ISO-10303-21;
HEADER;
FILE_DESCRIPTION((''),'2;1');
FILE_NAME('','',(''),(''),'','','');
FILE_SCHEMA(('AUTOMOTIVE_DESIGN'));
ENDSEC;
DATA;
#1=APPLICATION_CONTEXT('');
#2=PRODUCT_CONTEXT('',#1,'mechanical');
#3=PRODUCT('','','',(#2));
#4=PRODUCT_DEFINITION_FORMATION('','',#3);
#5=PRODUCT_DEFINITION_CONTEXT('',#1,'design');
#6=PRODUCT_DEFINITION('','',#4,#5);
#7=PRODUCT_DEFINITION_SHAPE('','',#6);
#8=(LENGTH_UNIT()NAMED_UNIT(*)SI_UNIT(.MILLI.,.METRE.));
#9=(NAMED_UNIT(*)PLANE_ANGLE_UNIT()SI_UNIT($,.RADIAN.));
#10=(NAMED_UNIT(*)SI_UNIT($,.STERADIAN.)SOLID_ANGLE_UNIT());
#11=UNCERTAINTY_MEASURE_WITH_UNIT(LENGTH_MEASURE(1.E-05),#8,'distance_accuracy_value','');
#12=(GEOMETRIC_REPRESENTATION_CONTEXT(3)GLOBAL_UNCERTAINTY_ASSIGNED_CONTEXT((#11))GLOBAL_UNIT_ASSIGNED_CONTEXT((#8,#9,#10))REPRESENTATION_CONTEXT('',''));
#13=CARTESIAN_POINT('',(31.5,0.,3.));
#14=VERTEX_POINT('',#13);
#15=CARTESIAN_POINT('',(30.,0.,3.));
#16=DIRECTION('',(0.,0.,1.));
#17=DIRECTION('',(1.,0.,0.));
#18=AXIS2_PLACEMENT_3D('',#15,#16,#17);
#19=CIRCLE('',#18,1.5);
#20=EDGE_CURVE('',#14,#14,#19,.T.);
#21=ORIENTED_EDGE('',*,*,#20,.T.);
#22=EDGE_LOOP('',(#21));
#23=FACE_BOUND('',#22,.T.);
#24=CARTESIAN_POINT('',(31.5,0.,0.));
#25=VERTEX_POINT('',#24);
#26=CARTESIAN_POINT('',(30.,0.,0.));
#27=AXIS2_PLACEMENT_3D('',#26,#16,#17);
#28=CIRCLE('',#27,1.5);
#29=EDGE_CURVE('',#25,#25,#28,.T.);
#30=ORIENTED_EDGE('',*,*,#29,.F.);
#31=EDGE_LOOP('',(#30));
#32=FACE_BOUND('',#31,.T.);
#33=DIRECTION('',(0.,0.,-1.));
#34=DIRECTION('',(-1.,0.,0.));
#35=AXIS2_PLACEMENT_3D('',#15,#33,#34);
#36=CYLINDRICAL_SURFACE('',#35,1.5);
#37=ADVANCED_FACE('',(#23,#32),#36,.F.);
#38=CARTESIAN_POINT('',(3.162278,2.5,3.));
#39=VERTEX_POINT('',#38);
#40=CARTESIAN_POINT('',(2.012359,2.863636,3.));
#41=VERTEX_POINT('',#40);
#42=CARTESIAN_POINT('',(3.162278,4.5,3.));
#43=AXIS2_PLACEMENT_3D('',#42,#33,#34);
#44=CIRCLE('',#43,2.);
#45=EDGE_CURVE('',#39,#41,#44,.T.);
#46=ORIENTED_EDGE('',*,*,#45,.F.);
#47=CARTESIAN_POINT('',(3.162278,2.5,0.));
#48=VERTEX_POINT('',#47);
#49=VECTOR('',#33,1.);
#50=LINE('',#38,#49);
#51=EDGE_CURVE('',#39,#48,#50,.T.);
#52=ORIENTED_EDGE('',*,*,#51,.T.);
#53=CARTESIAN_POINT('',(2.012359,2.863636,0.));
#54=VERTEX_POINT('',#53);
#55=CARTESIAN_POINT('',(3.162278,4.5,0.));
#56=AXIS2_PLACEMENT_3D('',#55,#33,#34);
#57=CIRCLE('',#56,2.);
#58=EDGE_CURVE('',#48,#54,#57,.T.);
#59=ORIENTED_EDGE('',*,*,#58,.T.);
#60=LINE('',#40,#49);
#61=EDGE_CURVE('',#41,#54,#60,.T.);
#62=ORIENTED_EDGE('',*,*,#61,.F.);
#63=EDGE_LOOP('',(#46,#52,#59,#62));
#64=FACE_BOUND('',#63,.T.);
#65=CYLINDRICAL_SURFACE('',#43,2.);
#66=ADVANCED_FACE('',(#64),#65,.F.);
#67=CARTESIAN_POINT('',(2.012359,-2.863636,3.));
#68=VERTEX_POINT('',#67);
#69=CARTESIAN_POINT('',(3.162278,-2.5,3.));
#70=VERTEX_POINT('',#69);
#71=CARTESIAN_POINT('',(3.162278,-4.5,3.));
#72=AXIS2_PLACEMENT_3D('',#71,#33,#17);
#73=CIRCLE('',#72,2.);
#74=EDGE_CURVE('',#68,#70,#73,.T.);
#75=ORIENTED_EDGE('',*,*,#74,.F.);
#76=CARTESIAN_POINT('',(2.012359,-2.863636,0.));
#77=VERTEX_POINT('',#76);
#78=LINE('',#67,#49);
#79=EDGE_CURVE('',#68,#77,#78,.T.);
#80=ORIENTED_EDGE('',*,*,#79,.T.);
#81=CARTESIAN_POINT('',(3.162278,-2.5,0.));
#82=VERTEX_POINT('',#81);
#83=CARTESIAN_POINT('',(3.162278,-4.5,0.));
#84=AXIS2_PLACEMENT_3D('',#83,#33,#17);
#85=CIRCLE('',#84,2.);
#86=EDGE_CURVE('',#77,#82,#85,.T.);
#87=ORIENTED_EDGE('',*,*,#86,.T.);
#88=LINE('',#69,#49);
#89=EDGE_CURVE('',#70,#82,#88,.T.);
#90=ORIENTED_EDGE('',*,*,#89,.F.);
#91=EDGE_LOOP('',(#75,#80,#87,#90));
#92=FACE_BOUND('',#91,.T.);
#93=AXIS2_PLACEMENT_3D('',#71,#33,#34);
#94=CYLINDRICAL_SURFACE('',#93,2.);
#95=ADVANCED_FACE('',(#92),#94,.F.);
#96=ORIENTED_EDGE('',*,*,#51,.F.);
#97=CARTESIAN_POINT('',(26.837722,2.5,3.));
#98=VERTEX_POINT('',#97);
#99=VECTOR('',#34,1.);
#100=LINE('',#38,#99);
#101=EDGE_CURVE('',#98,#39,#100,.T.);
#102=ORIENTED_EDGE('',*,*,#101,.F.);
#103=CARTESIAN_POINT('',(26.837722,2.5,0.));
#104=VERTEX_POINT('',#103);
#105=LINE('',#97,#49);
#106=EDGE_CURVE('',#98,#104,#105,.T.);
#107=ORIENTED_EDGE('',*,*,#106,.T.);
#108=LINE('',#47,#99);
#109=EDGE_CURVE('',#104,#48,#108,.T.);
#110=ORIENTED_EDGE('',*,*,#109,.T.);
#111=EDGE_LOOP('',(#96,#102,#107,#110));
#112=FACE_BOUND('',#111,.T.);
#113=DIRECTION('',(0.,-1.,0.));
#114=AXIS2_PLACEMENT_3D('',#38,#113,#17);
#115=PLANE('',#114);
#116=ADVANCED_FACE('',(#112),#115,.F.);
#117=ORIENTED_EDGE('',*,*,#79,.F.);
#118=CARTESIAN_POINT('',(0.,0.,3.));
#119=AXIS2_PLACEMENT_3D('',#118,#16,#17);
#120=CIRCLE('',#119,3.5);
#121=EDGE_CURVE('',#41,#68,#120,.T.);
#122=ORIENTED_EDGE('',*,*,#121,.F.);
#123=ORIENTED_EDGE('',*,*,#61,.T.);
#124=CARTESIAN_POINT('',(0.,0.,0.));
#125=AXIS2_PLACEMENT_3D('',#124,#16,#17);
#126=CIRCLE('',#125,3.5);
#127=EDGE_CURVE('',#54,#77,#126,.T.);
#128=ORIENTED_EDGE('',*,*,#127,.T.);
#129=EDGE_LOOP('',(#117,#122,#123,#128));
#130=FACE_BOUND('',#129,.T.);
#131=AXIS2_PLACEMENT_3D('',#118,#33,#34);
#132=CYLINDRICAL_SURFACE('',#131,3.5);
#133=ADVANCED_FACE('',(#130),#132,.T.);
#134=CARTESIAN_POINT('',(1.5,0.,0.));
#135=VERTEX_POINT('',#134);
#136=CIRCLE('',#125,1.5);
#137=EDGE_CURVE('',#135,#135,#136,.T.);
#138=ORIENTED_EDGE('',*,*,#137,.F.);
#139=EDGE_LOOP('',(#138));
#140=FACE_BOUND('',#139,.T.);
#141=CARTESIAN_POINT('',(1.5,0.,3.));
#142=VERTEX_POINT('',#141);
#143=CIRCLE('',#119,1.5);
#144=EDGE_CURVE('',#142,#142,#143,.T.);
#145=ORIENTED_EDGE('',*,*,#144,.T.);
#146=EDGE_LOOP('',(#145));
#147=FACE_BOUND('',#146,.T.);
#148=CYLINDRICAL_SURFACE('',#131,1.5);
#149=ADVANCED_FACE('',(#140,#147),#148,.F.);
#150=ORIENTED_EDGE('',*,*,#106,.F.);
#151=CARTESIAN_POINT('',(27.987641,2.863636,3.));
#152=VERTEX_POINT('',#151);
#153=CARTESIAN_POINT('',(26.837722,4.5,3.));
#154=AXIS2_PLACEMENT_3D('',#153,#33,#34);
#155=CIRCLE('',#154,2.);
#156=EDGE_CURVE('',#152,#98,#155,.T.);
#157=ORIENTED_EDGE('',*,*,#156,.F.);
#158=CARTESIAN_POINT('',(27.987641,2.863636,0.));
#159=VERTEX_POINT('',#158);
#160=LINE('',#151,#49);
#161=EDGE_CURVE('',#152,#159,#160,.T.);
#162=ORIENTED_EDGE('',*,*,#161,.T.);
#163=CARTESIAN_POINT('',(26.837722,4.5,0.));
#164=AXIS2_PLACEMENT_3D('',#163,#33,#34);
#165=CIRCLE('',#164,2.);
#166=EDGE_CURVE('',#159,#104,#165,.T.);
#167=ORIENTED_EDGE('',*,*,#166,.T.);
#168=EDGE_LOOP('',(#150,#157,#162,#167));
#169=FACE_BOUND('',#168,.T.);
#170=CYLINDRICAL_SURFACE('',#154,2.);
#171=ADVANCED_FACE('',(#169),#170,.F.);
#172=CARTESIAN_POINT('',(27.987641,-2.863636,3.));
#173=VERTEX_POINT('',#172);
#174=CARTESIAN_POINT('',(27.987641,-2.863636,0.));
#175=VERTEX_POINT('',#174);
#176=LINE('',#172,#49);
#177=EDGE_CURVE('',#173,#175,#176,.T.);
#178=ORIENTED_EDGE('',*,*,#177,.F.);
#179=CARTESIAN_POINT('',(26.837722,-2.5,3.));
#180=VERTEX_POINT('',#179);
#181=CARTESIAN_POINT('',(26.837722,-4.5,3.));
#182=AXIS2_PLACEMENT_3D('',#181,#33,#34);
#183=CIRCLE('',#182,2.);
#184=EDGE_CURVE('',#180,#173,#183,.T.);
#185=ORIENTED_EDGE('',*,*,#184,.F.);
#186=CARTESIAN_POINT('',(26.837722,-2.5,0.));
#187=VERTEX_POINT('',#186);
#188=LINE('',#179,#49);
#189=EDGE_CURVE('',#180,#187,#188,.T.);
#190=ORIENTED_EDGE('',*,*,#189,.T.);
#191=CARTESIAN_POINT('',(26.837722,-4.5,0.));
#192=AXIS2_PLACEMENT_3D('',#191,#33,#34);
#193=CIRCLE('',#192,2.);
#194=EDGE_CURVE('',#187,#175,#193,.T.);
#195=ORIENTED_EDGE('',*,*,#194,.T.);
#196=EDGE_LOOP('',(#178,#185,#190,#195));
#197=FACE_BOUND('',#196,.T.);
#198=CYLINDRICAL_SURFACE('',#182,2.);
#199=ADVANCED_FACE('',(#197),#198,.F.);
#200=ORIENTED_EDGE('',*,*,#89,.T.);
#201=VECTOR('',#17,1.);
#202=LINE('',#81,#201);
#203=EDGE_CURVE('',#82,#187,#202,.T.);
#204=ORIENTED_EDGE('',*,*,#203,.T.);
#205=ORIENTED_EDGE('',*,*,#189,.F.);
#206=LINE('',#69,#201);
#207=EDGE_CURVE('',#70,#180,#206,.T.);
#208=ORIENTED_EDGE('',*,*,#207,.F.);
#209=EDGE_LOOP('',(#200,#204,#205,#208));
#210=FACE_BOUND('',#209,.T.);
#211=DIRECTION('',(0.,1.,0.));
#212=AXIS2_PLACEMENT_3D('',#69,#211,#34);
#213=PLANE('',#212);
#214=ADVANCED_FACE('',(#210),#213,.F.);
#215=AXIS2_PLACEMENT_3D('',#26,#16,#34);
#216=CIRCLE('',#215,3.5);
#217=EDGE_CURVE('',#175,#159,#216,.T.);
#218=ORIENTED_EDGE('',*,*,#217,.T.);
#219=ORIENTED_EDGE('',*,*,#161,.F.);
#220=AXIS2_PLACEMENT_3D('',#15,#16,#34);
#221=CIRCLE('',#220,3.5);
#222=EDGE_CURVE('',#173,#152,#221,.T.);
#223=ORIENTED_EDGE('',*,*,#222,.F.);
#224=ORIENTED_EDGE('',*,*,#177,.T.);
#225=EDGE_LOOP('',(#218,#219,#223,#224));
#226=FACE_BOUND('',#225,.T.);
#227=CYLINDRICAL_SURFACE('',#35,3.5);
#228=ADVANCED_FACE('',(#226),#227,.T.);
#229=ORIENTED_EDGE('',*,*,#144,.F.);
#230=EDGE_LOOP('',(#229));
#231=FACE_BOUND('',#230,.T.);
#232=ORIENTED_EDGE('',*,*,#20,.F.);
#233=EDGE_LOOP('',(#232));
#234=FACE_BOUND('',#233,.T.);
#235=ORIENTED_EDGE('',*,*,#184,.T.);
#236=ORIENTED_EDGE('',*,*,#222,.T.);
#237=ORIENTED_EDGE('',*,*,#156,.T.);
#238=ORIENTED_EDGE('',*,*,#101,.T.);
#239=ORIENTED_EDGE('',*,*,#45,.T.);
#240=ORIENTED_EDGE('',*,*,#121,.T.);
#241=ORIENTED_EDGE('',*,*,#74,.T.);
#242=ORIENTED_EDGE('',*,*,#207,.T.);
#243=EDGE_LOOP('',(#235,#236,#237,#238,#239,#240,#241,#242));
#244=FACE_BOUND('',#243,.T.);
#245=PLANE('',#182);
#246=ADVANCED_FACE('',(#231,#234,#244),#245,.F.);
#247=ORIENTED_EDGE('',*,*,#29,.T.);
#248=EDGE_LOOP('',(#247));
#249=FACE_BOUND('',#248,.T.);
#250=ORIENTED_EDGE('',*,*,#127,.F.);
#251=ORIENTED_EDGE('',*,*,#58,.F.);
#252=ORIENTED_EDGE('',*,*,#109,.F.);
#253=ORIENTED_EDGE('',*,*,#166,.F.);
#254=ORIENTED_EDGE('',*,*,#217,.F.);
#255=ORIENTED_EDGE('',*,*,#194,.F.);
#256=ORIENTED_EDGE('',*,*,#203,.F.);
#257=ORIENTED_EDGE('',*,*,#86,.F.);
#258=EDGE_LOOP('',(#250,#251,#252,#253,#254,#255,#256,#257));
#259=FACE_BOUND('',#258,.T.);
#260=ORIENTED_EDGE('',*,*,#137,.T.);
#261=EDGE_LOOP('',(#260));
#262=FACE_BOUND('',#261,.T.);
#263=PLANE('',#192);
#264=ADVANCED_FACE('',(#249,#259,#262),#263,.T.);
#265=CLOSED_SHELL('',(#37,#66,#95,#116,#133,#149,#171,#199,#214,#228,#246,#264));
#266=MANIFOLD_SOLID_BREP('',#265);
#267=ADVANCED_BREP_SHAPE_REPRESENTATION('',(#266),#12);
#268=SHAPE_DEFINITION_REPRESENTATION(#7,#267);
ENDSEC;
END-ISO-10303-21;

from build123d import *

# Parameters (mm, degrees)
SKETCH_1_R      = 1.5
EXTRUDE_1_DEPTH = 3


with BuildPart() as part:
    # 草图1 → 凸台-拉伸1 (new body)
    with BuildSketch(Plane.XY):
        with BuildLine():
            Line((3.16227766, 2.5), (26.83772234, 2.5))
            ThreePointArc((26.83772234, 2.5), (27.440745029, 2.593074822), (27.987641489, 2.863636364))
            ThreePointArc((27.987641489, 2.863636364), (33.5, 0), (27.987641489, -2.863636364))
            ThreePointArc((27.987641489, -2.863636364), (27.440745029, -2.593074822), (26.83772234, -2.5))
            Line((26.83772234, -2.5), (3.16227766, -2.5))
            ThreePointArc((3.16227766, -2.5), (2.559254971, -2.593074822), (2.012358511, -2.863636364))
            ThreePointArc((2.012358511, -2.863636364), (-3.5, 0), (2.012358511, 2.863636364))
            ThreePointArc((2.012358511, 2.863636364), (2.559254971, 2.593074822), (3.16227766, 2.5))
        make_face()
        Circle(SKETCH_1_R, mode=Mode.SUBTRACT)
        with Locations((30, 0)):
            Circle(SKETCH_1_R, mode=Mode.SUBTRACT)
    extrude(amount=EXTRUDE_1_DEPTH)


solid = part.part
